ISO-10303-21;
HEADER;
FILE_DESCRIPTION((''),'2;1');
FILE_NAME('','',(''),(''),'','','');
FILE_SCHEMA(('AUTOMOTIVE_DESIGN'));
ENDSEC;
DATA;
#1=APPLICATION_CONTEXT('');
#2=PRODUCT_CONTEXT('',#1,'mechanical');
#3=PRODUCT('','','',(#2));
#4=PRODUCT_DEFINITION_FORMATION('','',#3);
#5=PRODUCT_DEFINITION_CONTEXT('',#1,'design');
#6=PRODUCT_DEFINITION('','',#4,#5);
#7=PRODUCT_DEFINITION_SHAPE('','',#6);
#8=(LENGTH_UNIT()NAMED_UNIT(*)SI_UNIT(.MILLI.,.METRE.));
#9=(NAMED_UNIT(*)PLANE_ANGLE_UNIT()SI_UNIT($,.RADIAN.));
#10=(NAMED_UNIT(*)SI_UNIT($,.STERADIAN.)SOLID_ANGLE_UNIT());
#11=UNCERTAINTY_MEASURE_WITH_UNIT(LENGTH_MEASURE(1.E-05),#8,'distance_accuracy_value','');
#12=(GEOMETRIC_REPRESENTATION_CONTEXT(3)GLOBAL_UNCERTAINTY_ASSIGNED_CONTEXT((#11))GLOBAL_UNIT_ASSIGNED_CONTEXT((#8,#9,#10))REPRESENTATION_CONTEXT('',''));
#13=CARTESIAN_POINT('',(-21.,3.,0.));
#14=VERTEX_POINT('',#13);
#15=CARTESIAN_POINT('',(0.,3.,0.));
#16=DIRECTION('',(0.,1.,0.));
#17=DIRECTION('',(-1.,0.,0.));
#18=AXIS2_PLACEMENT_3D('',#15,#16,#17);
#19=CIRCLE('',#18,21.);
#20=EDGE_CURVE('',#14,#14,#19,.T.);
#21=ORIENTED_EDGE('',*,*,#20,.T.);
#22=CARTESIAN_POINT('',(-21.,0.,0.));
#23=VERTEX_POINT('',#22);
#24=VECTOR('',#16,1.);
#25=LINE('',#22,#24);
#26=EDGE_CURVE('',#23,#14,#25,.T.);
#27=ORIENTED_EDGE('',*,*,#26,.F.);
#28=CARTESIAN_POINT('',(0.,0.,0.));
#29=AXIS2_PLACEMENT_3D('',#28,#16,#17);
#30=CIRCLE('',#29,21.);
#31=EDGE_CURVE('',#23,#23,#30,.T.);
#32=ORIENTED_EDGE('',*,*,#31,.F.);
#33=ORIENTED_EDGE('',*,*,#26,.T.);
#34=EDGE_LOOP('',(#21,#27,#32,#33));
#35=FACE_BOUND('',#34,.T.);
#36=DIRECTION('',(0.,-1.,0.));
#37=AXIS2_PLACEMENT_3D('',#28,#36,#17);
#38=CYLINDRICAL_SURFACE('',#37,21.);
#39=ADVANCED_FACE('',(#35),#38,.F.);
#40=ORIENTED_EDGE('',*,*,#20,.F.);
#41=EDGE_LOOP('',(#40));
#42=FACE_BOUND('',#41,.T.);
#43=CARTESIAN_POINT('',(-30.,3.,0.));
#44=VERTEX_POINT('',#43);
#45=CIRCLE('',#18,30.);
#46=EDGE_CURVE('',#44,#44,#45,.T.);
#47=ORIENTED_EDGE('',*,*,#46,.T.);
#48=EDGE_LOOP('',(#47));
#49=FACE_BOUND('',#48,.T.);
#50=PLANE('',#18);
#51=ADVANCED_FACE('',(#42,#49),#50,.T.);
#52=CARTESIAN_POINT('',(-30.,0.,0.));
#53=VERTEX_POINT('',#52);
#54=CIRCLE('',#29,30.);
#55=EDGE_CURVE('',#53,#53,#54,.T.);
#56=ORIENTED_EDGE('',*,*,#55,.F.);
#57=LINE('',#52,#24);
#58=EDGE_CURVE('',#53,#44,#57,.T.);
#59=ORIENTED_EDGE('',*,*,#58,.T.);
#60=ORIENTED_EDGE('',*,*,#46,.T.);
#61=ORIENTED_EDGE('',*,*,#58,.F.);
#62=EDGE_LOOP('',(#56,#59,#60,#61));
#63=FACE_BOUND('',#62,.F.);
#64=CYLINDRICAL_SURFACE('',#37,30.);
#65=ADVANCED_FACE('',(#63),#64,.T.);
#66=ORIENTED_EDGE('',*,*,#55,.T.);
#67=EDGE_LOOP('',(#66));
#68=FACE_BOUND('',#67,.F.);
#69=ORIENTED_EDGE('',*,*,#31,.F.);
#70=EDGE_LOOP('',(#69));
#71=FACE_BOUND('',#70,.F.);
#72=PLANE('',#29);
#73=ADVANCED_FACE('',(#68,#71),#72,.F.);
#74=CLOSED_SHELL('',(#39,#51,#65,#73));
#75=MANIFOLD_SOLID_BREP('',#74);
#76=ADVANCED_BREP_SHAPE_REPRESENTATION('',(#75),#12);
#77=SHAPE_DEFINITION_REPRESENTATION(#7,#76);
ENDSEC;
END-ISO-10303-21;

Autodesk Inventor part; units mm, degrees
ref_plane "YZ Plane" through (0, 0, 0) normal (1, 0, 0) x (0, 1, 0)
ref_plane "XZ Plane" through (0, 0, 0) normal (0, 1, 0) x (-1, 0, 0)
ref_plane "XY Plane" through (0, 0, 0) normal (0, 0, 1) x (1, 0, 0)
sketch "Sketch1" plane through (0, 0, 0) normal (0, 1, 0) x (-1, 0, 0)
  circle A0 centre (0, 0) radius 21
  circle A1 centre (0, 0) radius 30
  dimension "d0" = 42
  dimension "d1" = 60
extrude "Extrusion1" add sketch "Sketch1" along normal blind 3
properties part number "thrust bearing 42"
